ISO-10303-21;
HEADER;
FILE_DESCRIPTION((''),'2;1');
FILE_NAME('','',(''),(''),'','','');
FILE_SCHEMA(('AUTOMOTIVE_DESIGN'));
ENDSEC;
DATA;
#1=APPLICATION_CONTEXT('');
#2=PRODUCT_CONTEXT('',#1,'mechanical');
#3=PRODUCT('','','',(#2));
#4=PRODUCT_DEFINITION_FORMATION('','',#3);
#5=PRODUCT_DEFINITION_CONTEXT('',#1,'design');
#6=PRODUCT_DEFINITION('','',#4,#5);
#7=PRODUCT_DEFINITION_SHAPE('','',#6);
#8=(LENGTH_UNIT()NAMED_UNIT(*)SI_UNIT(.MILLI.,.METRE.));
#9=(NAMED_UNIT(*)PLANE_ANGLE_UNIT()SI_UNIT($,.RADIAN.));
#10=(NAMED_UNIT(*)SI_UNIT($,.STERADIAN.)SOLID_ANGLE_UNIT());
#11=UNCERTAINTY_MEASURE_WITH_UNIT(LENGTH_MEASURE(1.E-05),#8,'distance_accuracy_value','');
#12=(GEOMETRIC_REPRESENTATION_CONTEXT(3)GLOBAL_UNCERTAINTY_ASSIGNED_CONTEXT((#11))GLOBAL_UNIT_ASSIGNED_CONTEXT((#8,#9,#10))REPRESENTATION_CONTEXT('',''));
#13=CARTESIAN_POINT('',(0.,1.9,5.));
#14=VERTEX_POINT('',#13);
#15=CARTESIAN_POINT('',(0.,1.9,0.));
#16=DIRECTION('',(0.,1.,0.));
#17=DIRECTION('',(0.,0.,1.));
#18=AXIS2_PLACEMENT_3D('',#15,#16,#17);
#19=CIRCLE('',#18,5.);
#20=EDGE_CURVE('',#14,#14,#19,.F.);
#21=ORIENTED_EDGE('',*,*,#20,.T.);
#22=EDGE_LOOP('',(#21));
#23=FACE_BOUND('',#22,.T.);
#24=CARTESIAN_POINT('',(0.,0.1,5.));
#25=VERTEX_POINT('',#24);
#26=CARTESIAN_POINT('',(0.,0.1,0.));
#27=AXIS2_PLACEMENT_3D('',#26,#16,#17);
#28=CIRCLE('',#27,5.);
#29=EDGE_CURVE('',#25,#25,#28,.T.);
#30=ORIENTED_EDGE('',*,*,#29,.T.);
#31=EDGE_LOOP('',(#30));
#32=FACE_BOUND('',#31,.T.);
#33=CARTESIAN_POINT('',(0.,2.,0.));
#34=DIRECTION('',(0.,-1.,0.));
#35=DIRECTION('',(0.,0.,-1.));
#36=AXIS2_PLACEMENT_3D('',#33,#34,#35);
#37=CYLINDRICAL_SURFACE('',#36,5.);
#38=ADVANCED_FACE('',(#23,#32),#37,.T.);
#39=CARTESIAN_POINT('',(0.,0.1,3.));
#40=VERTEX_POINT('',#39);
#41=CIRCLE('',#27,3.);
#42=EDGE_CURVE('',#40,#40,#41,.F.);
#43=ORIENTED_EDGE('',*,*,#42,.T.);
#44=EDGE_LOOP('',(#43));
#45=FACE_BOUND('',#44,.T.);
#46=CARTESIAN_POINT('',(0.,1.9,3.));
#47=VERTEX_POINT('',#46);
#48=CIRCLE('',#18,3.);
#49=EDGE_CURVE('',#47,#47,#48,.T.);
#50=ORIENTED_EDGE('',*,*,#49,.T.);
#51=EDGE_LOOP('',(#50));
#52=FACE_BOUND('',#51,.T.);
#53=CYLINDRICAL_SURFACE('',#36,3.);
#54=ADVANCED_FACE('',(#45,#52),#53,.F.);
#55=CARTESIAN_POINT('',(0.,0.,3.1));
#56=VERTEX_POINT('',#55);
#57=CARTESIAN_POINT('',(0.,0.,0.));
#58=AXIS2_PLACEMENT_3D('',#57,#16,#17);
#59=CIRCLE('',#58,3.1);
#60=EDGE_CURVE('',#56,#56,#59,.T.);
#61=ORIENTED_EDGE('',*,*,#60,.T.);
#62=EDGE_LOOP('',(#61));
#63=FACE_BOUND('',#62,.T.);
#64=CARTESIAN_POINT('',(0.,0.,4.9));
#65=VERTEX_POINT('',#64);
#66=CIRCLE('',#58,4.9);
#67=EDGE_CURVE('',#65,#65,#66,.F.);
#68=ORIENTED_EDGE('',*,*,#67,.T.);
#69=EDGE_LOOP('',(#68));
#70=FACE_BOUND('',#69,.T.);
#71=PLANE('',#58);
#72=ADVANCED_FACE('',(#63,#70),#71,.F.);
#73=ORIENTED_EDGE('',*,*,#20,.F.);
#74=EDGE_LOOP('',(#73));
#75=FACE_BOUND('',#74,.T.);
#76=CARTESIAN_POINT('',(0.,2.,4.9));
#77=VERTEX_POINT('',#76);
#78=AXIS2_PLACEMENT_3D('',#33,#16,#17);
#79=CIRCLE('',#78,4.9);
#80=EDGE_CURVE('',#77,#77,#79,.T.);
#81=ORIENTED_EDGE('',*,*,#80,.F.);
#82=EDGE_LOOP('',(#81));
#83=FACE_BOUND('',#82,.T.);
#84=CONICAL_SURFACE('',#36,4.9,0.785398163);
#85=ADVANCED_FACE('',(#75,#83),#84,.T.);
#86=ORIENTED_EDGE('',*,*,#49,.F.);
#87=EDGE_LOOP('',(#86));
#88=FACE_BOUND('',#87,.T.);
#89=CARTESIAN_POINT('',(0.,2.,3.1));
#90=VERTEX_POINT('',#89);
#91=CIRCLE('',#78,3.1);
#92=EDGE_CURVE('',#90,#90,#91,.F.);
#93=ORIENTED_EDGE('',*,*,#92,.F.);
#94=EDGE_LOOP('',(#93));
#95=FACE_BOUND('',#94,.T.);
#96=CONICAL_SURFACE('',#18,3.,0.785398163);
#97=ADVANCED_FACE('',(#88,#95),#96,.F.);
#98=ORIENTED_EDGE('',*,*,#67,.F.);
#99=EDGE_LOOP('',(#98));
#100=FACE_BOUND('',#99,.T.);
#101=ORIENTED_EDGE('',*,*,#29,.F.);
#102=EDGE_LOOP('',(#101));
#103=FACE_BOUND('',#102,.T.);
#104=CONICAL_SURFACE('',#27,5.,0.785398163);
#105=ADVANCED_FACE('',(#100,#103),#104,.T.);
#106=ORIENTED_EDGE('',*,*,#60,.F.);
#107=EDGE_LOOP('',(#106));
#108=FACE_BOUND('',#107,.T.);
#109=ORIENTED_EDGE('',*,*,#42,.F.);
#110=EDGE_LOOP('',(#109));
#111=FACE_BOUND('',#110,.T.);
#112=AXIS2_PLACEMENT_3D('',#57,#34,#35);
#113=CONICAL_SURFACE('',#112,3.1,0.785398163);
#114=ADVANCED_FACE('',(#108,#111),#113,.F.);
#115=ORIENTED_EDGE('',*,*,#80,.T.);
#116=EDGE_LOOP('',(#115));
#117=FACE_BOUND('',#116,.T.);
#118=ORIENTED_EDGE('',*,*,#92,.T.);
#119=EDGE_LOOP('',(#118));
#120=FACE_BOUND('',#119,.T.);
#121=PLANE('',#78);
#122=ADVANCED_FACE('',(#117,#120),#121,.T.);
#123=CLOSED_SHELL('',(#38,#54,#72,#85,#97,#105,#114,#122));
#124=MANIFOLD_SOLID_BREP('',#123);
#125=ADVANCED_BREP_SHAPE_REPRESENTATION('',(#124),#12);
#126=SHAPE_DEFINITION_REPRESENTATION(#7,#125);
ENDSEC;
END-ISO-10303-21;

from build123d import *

# Parameters (mm, degrees)
SKETCH_1_R      = 5
SKETCH_1_R_2    = 3
EXTRUDE_1_DEPTH = 2
CHAMFER_1_SIZE  = 0.1


with BuildPart() as part:
    # 草图1 → 凸台-拉伸1 (new body)
    with BuildSketch(Plane(origin=(0, 0, 0), x_dir=(1, 0, 0), z_dir=(0, 1, 0))):
        with Locations(Location((0, 0, 0), (0, 0, 270))):
            Circle(SKETCH_1_R)
        with Locations(Location((0, 0, 0), (0, 0, 270))):
            Circle(SKETCH_1_R_2, mode=Mode.SUBTRACT)
    extrude(amount=EXTRUDE_1_DEPTH)

    # 倒角1
    chamfer_1_edges = [part.edges().sort_by_distance(p)[0] for p in [
        (0, 0, -5),
        (0, 2, -5),
        (0, 0, -3),
        (0, 2, -3),
    ]]
    chamfer(chamfer_1_edges, length=CHAMFER_1_SIZE)


solid = part.part
